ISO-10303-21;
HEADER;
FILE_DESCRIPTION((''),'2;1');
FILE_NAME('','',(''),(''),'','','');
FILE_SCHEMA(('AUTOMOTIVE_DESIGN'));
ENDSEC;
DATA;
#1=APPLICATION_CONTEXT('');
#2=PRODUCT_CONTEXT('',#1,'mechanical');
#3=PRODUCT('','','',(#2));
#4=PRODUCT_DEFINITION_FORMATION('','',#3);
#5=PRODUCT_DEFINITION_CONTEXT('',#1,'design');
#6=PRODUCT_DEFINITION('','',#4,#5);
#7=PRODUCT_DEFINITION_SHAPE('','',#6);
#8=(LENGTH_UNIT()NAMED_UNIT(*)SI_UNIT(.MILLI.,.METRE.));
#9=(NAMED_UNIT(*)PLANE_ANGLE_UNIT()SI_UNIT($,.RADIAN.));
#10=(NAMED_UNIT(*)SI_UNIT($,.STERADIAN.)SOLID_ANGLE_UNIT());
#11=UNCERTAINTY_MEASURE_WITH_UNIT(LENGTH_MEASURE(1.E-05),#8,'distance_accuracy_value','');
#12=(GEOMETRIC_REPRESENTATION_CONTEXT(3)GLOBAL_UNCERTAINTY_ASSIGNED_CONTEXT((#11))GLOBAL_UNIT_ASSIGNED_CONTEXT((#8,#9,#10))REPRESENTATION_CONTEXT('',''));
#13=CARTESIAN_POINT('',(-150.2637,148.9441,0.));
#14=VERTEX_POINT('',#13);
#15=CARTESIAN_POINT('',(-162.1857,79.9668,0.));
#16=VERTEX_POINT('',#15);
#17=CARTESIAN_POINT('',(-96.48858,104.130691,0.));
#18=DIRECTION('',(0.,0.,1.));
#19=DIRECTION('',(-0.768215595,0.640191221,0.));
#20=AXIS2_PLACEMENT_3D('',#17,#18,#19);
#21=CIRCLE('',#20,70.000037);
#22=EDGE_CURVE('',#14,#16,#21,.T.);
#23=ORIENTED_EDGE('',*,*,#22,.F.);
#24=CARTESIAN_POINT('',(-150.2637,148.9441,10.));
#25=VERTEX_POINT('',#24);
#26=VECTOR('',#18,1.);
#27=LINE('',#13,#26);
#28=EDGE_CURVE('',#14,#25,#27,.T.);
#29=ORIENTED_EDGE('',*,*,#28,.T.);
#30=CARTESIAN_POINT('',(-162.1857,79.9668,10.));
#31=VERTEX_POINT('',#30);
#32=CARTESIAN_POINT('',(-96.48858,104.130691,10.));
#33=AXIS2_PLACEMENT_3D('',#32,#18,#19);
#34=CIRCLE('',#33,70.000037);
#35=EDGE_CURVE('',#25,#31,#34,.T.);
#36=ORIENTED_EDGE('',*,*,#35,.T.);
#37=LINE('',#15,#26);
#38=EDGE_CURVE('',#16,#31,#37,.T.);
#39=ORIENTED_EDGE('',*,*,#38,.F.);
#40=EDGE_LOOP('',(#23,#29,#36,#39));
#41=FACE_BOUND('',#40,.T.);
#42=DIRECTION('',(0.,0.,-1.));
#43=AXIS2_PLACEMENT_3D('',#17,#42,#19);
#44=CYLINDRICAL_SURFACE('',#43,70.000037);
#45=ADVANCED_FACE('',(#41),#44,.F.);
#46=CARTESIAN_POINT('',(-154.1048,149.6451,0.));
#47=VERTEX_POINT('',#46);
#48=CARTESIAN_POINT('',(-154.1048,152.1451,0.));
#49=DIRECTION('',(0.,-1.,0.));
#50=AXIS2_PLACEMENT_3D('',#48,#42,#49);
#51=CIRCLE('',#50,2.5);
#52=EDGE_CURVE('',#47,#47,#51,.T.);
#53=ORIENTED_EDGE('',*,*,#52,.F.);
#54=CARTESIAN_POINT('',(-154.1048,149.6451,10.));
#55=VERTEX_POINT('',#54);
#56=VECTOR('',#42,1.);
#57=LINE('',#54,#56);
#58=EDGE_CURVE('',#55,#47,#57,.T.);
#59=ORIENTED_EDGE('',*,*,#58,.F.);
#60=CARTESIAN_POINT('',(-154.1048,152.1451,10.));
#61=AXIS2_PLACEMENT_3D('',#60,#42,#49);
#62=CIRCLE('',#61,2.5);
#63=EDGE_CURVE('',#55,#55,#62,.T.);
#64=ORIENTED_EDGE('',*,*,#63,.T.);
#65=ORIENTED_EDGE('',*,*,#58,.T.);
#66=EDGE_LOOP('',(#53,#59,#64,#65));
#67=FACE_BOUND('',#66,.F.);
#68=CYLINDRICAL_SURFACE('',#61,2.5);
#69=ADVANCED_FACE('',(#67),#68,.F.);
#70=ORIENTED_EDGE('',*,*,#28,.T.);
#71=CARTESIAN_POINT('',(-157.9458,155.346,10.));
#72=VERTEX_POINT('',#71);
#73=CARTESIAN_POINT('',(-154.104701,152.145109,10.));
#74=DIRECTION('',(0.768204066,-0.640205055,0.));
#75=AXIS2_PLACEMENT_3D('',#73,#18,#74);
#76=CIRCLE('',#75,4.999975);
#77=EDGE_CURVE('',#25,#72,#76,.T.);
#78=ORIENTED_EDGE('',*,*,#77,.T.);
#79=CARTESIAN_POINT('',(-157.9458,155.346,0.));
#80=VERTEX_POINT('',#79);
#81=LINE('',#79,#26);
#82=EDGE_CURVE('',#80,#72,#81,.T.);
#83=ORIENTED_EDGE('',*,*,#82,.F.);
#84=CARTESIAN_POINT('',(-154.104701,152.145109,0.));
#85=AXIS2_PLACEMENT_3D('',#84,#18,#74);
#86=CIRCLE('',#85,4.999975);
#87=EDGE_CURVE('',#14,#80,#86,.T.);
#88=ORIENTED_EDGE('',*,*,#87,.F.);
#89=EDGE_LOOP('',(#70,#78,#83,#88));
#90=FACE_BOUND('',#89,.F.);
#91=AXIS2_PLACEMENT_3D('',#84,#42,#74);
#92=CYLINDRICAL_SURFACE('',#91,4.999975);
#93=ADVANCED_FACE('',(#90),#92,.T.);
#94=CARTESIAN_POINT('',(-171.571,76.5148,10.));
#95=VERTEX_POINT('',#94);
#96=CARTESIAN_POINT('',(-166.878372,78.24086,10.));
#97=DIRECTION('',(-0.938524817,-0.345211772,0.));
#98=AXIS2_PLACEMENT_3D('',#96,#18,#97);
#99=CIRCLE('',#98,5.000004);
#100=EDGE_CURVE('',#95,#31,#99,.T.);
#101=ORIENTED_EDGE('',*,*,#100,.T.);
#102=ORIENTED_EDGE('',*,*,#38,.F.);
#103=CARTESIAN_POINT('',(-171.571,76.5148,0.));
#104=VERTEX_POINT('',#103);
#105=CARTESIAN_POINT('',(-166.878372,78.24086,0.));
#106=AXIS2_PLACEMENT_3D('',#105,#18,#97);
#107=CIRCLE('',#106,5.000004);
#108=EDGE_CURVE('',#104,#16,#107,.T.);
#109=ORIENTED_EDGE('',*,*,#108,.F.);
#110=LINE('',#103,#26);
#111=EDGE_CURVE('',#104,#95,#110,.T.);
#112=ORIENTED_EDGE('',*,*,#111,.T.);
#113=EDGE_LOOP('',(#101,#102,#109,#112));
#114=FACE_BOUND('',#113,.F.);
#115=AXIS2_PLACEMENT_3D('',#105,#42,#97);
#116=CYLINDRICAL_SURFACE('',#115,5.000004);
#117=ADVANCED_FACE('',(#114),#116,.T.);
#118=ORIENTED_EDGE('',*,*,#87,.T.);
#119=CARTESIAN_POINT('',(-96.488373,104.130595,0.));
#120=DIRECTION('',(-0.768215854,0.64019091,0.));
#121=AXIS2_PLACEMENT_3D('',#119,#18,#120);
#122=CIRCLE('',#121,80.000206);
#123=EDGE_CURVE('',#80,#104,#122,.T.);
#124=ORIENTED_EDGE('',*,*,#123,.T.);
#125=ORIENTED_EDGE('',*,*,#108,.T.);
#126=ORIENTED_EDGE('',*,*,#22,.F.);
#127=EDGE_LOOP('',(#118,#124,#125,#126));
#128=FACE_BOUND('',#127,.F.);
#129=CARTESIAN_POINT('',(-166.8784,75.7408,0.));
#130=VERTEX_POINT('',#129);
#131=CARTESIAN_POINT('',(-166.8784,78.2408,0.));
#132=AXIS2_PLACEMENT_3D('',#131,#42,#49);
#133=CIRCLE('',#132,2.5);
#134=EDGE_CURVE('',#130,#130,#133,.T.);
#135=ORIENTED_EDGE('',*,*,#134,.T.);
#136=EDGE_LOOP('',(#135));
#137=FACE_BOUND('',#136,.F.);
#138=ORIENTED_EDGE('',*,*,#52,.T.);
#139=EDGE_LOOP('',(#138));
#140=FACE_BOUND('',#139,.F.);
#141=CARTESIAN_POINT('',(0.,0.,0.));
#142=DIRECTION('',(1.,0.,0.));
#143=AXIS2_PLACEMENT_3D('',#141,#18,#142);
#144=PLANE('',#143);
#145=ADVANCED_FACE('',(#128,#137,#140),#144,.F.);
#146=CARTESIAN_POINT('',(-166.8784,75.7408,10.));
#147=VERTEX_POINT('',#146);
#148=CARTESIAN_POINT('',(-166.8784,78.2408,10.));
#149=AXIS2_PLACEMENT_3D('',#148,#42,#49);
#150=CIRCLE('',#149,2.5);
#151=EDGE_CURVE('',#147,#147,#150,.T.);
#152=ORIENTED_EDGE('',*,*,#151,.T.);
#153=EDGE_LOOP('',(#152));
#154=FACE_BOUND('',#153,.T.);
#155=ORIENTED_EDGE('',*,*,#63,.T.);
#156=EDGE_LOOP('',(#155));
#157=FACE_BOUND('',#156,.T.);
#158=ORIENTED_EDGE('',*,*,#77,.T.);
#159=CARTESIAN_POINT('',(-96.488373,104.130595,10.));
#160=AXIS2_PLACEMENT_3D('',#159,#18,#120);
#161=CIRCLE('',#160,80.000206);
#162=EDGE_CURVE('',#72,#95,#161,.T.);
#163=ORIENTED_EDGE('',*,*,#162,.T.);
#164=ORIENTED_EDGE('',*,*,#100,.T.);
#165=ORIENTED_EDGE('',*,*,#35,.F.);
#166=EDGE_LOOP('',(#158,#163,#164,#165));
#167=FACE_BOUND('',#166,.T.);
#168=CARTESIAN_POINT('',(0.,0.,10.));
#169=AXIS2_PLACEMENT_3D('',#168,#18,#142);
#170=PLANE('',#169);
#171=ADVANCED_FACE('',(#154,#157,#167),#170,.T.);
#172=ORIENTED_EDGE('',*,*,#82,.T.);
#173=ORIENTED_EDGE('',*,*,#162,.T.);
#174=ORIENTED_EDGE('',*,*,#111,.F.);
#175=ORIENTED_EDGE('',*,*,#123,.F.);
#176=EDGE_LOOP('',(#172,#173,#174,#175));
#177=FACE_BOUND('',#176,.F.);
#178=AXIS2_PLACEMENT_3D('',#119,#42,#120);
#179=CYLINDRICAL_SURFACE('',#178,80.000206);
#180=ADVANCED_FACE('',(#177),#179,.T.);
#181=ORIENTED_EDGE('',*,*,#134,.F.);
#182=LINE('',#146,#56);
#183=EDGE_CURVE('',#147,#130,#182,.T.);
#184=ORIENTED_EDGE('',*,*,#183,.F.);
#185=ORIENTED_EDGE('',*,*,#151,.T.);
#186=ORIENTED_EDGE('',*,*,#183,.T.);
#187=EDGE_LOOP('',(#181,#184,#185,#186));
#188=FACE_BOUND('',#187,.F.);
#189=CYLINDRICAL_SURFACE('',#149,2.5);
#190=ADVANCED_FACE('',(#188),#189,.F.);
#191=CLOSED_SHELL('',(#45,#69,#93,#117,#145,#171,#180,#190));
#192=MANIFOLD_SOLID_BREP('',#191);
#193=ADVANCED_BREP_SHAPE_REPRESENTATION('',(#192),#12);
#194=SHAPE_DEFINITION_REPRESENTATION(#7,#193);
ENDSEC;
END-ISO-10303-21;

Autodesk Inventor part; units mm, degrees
ref_plane "YZ Plane" through (0, 0, 0) normal (1, 0, 0) x (0, 1, 0)
ref_plane "XZ Plane" through (0, 0, 0) normal (0, 1, 0) x (-1, 0, 0)
ref_plane "XY Plane" through (0, 0, 0) normal (0, 0, 1) x (1, 0, 0)
sketch "Sketch1" plane through (0, 0, 0) normal (0, 0, 1) x (1, 0, 0)
  arc A0 (-154.1048, 152.1451) -> (-166.8784, 78.2408) centre (-96.4886, 104.1307) ccw construction
  arc A1 (-157.9458, 155.346) -> (-171.571, 76.5148) centre (-96.4886, 104.1307) ccw
  arc A2 (-150.2637, 148.9441) -> (-162.1857, 79.9668) centre (-96.4886, 104.1307) ccw
  arc A3 (-150.2637, 148.9441) -> (-157.9458, 155.346) centre (-154.1048, 152.1451) ccw
  arc A4 (-171.571, 76.5148) -> (-162.1857, 79.9668) centre (-166.8784, 78.2408) ccw
  line L0 (-154.1048, 152.1451) -> (-96.4886, 104.1307) construction
  line L1 (-96.4886, 104.1307) -> (-166.8784, 78.2408) construction
  point P0 (0, 0)
  dimension "d1" = 75
  dimension "d2" = 10
  dimension "d5" = 60
extrude "Extrusion1" add sketch "Sketch1" along normal blind 10
sketch "Sketch2" plane through (0, 0, 10) normal (0, 0, 1) x (1, 0, 0)
  arc A0 (-157.9458, 155.346) -> (-171.571, 76.5148) centre (-96.4886, 104.1307) ccw projected
  arc A1 (-171.571, 76.5148) -> (-162.1857, 79.9668) centre (-166.8784, 78.2408) ccw projected
  arc A2 (-150.2637, 148.9441) -> (-162.1857, 79.9668) centre (-96.4886, 104.1307) ccw projected
  arc A3 (-150.2637, 148.9441) -> (-157.9458, 155.346) centre (-154.1048, 152.1451) ccw projected
  point P0 (0, 0)
hole "Hole1" at (-154.1048, 152.1451, 10) at (-166.8784, 78.2408, 10) direction (0, 0, -1) diameter 5 end through all
properties part number "ledeplate"
